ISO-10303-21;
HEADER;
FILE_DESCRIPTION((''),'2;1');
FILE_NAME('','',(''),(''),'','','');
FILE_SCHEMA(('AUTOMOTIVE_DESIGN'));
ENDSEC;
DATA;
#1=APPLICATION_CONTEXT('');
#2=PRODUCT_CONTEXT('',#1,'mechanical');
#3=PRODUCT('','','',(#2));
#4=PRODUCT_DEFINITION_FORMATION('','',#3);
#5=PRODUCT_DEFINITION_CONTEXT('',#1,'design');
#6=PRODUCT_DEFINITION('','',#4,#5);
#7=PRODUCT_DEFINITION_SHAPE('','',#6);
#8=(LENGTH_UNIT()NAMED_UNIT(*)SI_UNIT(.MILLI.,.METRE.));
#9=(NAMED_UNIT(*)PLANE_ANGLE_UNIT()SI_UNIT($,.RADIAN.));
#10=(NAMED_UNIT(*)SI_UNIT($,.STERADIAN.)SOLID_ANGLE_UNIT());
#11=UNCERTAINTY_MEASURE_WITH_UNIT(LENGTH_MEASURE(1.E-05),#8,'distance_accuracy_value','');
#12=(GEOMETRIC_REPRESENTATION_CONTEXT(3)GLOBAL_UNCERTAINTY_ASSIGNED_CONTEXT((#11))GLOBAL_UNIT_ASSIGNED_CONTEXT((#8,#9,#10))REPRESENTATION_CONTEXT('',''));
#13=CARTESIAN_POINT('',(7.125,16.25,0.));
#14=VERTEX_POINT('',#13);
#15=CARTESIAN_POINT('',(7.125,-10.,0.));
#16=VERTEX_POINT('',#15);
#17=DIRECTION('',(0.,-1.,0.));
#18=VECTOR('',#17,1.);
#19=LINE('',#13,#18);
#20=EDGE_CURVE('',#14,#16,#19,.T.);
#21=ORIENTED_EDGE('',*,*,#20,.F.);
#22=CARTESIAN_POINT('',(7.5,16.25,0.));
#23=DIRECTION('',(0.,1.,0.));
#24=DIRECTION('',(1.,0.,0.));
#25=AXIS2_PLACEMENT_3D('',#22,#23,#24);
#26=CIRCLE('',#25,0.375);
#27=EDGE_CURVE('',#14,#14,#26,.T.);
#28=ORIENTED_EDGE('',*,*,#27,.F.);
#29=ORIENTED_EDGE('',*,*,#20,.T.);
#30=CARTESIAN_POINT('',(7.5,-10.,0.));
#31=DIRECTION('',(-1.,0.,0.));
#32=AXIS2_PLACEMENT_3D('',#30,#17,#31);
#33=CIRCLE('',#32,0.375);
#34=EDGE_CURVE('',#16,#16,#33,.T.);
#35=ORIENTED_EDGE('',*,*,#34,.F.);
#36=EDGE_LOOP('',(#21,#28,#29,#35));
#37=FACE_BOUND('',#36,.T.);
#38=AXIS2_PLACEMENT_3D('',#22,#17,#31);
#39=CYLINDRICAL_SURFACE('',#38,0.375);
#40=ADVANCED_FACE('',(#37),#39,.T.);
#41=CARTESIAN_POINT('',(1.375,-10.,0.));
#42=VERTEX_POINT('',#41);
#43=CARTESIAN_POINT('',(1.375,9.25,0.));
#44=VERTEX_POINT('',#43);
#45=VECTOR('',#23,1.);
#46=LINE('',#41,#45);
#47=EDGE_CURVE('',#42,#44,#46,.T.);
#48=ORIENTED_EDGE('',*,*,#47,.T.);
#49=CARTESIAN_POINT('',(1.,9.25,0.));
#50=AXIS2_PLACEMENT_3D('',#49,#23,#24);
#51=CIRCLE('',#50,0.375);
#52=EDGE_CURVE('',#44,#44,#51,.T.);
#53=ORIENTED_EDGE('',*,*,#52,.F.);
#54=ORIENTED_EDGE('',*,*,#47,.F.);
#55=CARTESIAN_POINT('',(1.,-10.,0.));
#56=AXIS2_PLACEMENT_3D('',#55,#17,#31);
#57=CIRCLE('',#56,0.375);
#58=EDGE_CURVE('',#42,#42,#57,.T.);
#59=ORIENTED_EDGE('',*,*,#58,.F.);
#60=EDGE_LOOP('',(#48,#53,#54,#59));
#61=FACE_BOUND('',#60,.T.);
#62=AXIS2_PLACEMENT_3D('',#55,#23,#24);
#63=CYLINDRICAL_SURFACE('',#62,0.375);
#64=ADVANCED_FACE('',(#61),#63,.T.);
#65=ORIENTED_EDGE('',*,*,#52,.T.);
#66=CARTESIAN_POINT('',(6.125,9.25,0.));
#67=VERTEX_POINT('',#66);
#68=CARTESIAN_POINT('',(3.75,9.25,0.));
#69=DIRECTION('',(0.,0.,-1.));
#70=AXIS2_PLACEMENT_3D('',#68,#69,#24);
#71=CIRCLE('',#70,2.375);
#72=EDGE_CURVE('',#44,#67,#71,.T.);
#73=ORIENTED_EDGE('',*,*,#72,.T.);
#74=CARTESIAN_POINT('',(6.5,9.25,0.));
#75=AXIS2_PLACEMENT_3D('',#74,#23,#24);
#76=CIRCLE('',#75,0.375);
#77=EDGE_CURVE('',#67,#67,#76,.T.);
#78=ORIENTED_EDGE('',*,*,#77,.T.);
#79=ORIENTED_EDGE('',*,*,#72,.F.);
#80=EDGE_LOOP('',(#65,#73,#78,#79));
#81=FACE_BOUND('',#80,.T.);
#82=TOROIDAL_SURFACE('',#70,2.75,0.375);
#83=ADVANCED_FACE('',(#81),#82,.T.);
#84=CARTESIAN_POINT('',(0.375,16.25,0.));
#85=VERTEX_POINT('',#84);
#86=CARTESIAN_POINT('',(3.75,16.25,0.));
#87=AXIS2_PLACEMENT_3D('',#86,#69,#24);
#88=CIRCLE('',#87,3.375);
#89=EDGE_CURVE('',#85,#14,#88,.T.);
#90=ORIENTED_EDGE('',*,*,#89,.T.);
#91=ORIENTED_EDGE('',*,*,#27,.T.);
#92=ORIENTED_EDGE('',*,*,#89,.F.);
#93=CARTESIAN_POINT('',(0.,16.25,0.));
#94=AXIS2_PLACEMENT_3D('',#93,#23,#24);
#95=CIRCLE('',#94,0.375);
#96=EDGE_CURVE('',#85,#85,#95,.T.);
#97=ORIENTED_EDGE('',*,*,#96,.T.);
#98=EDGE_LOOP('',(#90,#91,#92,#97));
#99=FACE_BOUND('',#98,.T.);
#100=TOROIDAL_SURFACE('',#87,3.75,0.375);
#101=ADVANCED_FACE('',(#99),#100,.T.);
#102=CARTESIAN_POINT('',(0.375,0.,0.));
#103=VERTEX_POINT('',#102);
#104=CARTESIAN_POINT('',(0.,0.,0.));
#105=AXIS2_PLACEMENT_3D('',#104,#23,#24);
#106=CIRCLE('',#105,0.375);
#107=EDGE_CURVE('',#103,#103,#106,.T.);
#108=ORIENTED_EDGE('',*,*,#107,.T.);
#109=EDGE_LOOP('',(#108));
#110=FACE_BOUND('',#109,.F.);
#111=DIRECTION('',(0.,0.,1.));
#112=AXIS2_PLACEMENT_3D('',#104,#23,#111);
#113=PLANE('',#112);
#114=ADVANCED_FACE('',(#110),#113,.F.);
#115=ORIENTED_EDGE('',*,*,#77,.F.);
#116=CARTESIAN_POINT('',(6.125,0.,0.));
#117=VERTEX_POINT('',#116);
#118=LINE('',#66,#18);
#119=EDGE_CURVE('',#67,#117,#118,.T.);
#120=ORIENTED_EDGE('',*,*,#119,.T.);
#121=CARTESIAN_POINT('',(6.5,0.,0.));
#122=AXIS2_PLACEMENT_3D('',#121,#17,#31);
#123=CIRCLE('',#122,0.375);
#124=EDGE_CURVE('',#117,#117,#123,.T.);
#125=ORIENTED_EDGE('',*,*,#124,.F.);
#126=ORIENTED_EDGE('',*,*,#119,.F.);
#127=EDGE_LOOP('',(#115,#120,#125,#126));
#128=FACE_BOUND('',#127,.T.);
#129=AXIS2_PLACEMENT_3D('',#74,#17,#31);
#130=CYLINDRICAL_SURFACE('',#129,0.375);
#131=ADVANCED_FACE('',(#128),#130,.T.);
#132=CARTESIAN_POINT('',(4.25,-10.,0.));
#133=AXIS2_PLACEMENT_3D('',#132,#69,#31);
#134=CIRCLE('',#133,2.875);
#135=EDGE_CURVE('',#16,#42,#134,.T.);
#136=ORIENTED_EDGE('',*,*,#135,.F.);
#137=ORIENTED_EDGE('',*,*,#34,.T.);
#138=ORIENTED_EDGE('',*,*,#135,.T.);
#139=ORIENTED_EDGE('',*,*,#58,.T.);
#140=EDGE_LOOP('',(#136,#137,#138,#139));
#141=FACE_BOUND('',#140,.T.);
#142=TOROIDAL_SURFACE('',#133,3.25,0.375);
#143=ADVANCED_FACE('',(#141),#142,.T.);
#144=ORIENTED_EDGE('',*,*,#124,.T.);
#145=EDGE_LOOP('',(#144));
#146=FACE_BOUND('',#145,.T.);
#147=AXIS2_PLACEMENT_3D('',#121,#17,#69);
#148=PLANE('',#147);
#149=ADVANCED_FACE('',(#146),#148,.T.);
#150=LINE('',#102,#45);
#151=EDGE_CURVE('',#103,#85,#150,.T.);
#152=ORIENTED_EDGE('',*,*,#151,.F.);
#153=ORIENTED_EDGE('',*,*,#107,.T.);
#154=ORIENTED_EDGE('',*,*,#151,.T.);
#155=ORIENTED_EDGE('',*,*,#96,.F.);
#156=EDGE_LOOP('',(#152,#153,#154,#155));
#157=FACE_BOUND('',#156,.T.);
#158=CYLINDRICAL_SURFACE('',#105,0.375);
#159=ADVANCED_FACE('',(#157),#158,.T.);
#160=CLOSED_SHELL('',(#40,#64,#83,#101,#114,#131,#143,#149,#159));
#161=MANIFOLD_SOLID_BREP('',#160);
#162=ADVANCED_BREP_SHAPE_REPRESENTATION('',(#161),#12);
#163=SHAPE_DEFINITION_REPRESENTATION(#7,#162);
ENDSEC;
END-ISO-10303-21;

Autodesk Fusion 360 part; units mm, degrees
sketch "Sweep Path" plane through (0, 0, 0) normal (0, 0, 1) x (1, 0, 0)
  line L0 (0, 0) -> (0, 16.25)
  line L1 (0, 16.25) -> (7.5, 16.25) construction
  line L2 (7.5, 16.25) -> (7.5, -10)
  line L3 (7.5, -10) -> (1, -10) construction
  line L4 (1, -10) -> (1, 9.25)
  line L5 (1, 9.25) -> (6.5, 9.25) construction
  line L6 (6.5, 9.25) -> (6.5, 0)
  arc A0 (7.5, 16.25) -> (0, 16.25) centre (3.75, 16.25) ccw
  arc A1 (6.5, 9.25) -> (1, 9.25) centre (3.75, 9.25) ccw
  arc A2 (1, -10) -> (7.5, -10) centre (4.25, -10) ccw
  dimension "d1" = 16.25
  dimension "d2" = 7.5
  dimension "d3" = 26.25
  dimension "d4" = 6.5
  dimension "d5" = 19.25
  dimension "d8" = 5.5
  dimension "d9" = 9.25
sketch "Sweep Profile" plane through (0, 0, 0) normal (0, 1, 0) x (1, 0, 0)
  circle A0 centre (0, 0) radius 0.375
  dimension "d10" = 0.75
sweep "Sweep1" add profiles "Sweep Profile" path "Sweep Path" along L0 A0 L2 A2 L4 A1 L6 section 1
